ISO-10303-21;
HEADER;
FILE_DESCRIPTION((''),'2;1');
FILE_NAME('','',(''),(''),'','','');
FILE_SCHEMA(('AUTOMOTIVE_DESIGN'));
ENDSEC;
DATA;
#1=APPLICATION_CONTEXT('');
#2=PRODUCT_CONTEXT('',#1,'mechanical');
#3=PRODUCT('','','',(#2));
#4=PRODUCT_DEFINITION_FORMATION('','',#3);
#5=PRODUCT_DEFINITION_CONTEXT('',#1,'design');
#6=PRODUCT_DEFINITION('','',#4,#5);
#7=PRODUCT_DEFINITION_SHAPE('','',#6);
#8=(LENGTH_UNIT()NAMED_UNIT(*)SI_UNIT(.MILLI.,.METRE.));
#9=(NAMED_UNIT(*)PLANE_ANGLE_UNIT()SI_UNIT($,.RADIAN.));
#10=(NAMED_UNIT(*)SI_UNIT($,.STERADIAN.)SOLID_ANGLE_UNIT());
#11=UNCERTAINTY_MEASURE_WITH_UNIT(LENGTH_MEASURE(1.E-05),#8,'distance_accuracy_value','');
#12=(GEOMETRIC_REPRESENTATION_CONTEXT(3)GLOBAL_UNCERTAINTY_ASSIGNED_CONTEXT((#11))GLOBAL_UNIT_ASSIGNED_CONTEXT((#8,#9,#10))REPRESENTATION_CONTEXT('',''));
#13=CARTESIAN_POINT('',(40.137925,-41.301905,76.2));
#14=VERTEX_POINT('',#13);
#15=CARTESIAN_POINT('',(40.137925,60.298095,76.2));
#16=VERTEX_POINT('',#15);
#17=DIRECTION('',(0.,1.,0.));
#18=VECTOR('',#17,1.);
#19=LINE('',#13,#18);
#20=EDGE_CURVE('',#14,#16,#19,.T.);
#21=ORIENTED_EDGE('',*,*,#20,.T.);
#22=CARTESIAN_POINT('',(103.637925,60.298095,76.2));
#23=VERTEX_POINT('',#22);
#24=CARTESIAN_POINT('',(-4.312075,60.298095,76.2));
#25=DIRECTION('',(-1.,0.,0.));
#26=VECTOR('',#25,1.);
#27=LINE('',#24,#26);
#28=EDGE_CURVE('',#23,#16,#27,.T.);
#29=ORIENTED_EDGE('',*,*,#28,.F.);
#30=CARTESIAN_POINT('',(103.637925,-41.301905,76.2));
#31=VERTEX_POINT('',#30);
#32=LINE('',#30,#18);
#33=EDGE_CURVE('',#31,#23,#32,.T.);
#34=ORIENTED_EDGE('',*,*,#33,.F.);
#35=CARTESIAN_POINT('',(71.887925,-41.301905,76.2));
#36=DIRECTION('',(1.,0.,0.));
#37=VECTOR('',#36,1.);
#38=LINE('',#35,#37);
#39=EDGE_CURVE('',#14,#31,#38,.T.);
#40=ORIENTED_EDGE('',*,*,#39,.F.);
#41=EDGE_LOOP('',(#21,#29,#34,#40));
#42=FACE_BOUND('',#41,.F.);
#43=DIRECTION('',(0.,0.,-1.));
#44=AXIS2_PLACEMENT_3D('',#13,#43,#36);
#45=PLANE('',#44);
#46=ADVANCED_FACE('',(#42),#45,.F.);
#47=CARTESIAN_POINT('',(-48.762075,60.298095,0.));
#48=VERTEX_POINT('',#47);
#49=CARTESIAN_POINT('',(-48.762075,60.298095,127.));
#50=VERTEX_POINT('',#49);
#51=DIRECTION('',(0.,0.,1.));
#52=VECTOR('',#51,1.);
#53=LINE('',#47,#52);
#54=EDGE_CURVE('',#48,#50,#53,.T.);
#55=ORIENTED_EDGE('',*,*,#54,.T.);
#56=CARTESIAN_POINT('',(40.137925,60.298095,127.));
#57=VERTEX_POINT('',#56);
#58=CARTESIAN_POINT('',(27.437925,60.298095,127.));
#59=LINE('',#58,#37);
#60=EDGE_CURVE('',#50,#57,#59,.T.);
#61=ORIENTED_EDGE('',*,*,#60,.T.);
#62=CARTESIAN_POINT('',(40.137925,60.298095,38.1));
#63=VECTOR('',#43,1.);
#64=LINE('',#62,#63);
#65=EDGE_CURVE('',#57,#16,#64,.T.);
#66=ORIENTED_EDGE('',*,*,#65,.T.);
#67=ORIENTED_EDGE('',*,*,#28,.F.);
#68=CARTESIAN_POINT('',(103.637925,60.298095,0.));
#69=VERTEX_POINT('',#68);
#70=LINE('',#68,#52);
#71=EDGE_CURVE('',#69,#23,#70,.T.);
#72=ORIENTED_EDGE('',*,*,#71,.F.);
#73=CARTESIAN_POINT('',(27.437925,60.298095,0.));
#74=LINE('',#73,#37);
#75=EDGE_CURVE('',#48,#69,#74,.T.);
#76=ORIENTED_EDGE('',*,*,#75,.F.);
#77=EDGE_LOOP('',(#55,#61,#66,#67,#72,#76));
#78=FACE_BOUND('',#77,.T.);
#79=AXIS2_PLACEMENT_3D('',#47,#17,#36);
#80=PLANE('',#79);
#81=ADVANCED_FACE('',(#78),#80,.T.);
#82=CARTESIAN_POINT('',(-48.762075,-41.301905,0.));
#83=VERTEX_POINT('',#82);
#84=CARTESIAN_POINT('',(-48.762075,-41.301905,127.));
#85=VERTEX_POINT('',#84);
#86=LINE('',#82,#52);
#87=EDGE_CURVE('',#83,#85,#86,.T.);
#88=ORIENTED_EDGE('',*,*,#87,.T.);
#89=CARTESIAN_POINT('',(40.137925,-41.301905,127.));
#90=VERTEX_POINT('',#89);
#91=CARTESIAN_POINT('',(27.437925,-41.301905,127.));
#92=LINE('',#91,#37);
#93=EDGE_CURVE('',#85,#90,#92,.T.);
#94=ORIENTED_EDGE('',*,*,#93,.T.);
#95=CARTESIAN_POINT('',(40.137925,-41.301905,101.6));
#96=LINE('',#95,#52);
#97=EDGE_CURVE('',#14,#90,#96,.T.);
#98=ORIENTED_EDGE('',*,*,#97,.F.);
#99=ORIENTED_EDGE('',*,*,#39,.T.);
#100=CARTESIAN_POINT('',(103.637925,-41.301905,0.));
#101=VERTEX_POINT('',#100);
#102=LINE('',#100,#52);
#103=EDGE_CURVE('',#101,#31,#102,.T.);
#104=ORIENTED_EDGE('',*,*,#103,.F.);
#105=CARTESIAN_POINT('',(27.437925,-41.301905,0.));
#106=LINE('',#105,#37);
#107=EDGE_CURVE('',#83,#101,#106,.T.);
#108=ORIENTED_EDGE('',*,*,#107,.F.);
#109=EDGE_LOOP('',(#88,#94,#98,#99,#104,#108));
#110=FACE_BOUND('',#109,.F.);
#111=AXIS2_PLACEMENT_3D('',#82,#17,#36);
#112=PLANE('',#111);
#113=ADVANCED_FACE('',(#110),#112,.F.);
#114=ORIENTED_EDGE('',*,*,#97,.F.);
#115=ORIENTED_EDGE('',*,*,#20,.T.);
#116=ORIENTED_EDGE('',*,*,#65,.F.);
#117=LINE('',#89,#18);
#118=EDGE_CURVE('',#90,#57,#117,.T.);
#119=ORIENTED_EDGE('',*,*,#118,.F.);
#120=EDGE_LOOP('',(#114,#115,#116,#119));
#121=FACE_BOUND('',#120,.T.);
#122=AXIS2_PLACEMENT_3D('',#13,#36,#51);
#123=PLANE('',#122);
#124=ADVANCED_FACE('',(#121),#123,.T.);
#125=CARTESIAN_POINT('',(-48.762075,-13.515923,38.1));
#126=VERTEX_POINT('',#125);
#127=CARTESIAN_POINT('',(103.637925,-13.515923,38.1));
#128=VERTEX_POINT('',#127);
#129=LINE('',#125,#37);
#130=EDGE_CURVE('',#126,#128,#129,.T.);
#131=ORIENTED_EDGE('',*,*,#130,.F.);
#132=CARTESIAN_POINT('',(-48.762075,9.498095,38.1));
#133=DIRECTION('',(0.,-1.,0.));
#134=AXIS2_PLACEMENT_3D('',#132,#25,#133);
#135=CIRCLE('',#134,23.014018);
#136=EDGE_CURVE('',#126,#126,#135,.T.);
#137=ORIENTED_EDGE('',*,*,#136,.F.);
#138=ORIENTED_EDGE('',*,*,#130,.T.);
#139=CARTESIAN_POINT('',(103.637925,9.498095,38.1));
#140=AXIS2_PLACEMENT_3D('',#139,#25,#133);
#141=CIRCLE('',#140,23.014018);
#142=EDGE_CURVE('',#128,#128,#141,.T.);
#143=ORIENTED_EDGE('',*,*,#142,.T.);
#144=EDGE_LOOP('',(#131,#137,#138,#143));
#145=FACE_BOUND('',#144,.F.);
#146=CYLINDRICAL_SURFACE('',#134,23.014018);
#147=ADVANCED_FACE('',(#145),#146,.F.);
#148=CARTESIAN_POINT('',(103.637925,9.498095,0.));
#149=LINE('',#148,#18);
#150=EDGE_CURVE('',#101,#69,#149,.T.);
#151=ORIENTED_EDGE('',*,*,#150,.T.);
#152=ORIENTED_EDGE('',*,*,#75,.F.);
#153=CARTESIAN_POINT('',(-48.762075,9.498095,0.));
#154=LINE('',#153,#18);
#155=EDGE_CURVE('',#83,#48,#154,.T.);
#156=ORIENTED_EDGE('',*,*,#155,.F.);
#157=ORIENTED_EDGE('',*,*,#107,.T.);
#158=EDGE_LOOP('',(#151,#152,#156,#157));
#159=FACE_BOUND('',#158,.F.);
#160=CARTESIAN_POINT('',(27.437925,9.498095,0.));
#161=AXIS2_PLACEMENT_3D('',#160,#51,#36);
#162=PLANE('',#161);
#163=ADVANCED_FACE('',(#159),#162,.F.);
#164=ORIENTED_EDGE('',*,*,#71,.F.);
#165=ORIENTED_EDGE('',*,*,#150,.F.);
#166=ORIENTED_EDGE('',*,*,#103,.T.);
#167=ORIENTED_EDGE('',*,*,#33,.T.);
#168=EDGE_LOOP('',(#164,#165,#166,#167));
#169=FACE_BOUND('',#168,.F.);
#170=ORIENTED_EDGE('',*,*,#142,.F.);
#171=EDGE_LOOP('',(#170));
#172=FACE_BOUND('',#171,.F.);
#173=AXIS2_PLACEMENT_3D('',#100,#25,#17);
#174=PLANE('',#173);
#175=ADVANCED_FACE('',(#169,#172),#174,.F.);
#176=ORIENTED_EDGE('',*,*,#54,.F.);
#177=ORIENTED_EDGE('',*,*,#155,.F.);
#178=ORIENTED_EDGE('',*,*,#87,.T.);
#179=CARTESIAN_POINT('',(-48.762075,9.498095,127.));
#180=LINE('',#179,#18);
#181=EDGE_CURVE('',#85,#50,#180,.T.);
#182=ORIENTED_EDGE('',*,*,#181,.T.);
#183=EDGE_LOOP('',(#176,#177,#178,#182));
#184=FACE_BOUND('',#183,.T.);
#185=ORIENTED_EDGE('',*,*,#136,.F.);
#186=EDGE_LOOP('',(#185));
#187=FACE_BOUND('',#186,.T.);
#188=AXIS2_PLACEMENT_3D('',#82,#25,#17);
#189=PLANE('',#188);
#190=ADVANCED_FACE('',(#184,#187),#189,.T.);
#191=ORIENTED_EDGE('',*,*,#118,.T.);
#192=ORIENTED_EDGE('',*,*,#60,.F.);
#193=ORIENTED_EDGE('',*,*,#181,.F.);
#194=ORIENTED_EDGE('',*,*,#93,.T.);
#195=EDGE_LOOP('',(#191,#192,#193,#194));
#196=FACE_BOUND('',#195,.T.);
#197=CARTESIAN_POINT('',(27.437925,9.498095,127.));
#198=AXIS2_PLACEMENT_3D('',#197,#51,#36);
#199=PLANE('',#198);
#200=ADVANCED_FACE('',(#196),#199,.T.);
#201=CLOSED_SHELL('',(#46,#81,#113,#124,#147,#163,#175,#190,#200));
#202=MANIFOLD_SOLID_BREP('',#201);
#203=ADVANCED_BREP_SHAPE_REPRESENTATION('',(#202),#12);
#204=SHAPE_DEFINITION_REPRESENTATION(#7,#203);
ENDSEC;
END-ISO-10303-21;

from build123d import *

# Parameters (mm, degrees)
F0_W     = 152.4
F0_H     = 101.6
F1_DEPTH = 127
F2_W     = 63.5
F2_H     = 50.8
F3_DEPTH = 103.87561
F4_R     = 23.014018
F6_DEPTH = 152.401


with BuildPart() as f1:
    # F0 (on Top) → F1 (new body)
    with BuildSketch(Plane.XY):
        with Locations((27.437925, 9.498095)):
            Rectangle(F0_W, F0_H)
    extrude(amount=F1_DEPTH)

    # F2 (on face) → F3 (cut)
    with BuildSketch(Plane.XZ.offset(41.301905)):
        with Locations((71.887925, 101.6)):
            Rectangle(F2_W, F2_H)
    extrude(amount=-F3_DEPTH, mode=Mode.SUBTRACT)

    # F4 (on face) → F6 (cut, through all)
    with BuildSketch(Plane(origin=(-48.762075, 0, 0), x_dir=(0, -1, 0), z_dir=(-1, 0, 0))):
        with Locations((-9.498095, 38.1)):
            Circle(F4_R)
    extrude(amount=-F6_DEPTH, mode=Mode.SUBTRACT)


solid = f1.part
